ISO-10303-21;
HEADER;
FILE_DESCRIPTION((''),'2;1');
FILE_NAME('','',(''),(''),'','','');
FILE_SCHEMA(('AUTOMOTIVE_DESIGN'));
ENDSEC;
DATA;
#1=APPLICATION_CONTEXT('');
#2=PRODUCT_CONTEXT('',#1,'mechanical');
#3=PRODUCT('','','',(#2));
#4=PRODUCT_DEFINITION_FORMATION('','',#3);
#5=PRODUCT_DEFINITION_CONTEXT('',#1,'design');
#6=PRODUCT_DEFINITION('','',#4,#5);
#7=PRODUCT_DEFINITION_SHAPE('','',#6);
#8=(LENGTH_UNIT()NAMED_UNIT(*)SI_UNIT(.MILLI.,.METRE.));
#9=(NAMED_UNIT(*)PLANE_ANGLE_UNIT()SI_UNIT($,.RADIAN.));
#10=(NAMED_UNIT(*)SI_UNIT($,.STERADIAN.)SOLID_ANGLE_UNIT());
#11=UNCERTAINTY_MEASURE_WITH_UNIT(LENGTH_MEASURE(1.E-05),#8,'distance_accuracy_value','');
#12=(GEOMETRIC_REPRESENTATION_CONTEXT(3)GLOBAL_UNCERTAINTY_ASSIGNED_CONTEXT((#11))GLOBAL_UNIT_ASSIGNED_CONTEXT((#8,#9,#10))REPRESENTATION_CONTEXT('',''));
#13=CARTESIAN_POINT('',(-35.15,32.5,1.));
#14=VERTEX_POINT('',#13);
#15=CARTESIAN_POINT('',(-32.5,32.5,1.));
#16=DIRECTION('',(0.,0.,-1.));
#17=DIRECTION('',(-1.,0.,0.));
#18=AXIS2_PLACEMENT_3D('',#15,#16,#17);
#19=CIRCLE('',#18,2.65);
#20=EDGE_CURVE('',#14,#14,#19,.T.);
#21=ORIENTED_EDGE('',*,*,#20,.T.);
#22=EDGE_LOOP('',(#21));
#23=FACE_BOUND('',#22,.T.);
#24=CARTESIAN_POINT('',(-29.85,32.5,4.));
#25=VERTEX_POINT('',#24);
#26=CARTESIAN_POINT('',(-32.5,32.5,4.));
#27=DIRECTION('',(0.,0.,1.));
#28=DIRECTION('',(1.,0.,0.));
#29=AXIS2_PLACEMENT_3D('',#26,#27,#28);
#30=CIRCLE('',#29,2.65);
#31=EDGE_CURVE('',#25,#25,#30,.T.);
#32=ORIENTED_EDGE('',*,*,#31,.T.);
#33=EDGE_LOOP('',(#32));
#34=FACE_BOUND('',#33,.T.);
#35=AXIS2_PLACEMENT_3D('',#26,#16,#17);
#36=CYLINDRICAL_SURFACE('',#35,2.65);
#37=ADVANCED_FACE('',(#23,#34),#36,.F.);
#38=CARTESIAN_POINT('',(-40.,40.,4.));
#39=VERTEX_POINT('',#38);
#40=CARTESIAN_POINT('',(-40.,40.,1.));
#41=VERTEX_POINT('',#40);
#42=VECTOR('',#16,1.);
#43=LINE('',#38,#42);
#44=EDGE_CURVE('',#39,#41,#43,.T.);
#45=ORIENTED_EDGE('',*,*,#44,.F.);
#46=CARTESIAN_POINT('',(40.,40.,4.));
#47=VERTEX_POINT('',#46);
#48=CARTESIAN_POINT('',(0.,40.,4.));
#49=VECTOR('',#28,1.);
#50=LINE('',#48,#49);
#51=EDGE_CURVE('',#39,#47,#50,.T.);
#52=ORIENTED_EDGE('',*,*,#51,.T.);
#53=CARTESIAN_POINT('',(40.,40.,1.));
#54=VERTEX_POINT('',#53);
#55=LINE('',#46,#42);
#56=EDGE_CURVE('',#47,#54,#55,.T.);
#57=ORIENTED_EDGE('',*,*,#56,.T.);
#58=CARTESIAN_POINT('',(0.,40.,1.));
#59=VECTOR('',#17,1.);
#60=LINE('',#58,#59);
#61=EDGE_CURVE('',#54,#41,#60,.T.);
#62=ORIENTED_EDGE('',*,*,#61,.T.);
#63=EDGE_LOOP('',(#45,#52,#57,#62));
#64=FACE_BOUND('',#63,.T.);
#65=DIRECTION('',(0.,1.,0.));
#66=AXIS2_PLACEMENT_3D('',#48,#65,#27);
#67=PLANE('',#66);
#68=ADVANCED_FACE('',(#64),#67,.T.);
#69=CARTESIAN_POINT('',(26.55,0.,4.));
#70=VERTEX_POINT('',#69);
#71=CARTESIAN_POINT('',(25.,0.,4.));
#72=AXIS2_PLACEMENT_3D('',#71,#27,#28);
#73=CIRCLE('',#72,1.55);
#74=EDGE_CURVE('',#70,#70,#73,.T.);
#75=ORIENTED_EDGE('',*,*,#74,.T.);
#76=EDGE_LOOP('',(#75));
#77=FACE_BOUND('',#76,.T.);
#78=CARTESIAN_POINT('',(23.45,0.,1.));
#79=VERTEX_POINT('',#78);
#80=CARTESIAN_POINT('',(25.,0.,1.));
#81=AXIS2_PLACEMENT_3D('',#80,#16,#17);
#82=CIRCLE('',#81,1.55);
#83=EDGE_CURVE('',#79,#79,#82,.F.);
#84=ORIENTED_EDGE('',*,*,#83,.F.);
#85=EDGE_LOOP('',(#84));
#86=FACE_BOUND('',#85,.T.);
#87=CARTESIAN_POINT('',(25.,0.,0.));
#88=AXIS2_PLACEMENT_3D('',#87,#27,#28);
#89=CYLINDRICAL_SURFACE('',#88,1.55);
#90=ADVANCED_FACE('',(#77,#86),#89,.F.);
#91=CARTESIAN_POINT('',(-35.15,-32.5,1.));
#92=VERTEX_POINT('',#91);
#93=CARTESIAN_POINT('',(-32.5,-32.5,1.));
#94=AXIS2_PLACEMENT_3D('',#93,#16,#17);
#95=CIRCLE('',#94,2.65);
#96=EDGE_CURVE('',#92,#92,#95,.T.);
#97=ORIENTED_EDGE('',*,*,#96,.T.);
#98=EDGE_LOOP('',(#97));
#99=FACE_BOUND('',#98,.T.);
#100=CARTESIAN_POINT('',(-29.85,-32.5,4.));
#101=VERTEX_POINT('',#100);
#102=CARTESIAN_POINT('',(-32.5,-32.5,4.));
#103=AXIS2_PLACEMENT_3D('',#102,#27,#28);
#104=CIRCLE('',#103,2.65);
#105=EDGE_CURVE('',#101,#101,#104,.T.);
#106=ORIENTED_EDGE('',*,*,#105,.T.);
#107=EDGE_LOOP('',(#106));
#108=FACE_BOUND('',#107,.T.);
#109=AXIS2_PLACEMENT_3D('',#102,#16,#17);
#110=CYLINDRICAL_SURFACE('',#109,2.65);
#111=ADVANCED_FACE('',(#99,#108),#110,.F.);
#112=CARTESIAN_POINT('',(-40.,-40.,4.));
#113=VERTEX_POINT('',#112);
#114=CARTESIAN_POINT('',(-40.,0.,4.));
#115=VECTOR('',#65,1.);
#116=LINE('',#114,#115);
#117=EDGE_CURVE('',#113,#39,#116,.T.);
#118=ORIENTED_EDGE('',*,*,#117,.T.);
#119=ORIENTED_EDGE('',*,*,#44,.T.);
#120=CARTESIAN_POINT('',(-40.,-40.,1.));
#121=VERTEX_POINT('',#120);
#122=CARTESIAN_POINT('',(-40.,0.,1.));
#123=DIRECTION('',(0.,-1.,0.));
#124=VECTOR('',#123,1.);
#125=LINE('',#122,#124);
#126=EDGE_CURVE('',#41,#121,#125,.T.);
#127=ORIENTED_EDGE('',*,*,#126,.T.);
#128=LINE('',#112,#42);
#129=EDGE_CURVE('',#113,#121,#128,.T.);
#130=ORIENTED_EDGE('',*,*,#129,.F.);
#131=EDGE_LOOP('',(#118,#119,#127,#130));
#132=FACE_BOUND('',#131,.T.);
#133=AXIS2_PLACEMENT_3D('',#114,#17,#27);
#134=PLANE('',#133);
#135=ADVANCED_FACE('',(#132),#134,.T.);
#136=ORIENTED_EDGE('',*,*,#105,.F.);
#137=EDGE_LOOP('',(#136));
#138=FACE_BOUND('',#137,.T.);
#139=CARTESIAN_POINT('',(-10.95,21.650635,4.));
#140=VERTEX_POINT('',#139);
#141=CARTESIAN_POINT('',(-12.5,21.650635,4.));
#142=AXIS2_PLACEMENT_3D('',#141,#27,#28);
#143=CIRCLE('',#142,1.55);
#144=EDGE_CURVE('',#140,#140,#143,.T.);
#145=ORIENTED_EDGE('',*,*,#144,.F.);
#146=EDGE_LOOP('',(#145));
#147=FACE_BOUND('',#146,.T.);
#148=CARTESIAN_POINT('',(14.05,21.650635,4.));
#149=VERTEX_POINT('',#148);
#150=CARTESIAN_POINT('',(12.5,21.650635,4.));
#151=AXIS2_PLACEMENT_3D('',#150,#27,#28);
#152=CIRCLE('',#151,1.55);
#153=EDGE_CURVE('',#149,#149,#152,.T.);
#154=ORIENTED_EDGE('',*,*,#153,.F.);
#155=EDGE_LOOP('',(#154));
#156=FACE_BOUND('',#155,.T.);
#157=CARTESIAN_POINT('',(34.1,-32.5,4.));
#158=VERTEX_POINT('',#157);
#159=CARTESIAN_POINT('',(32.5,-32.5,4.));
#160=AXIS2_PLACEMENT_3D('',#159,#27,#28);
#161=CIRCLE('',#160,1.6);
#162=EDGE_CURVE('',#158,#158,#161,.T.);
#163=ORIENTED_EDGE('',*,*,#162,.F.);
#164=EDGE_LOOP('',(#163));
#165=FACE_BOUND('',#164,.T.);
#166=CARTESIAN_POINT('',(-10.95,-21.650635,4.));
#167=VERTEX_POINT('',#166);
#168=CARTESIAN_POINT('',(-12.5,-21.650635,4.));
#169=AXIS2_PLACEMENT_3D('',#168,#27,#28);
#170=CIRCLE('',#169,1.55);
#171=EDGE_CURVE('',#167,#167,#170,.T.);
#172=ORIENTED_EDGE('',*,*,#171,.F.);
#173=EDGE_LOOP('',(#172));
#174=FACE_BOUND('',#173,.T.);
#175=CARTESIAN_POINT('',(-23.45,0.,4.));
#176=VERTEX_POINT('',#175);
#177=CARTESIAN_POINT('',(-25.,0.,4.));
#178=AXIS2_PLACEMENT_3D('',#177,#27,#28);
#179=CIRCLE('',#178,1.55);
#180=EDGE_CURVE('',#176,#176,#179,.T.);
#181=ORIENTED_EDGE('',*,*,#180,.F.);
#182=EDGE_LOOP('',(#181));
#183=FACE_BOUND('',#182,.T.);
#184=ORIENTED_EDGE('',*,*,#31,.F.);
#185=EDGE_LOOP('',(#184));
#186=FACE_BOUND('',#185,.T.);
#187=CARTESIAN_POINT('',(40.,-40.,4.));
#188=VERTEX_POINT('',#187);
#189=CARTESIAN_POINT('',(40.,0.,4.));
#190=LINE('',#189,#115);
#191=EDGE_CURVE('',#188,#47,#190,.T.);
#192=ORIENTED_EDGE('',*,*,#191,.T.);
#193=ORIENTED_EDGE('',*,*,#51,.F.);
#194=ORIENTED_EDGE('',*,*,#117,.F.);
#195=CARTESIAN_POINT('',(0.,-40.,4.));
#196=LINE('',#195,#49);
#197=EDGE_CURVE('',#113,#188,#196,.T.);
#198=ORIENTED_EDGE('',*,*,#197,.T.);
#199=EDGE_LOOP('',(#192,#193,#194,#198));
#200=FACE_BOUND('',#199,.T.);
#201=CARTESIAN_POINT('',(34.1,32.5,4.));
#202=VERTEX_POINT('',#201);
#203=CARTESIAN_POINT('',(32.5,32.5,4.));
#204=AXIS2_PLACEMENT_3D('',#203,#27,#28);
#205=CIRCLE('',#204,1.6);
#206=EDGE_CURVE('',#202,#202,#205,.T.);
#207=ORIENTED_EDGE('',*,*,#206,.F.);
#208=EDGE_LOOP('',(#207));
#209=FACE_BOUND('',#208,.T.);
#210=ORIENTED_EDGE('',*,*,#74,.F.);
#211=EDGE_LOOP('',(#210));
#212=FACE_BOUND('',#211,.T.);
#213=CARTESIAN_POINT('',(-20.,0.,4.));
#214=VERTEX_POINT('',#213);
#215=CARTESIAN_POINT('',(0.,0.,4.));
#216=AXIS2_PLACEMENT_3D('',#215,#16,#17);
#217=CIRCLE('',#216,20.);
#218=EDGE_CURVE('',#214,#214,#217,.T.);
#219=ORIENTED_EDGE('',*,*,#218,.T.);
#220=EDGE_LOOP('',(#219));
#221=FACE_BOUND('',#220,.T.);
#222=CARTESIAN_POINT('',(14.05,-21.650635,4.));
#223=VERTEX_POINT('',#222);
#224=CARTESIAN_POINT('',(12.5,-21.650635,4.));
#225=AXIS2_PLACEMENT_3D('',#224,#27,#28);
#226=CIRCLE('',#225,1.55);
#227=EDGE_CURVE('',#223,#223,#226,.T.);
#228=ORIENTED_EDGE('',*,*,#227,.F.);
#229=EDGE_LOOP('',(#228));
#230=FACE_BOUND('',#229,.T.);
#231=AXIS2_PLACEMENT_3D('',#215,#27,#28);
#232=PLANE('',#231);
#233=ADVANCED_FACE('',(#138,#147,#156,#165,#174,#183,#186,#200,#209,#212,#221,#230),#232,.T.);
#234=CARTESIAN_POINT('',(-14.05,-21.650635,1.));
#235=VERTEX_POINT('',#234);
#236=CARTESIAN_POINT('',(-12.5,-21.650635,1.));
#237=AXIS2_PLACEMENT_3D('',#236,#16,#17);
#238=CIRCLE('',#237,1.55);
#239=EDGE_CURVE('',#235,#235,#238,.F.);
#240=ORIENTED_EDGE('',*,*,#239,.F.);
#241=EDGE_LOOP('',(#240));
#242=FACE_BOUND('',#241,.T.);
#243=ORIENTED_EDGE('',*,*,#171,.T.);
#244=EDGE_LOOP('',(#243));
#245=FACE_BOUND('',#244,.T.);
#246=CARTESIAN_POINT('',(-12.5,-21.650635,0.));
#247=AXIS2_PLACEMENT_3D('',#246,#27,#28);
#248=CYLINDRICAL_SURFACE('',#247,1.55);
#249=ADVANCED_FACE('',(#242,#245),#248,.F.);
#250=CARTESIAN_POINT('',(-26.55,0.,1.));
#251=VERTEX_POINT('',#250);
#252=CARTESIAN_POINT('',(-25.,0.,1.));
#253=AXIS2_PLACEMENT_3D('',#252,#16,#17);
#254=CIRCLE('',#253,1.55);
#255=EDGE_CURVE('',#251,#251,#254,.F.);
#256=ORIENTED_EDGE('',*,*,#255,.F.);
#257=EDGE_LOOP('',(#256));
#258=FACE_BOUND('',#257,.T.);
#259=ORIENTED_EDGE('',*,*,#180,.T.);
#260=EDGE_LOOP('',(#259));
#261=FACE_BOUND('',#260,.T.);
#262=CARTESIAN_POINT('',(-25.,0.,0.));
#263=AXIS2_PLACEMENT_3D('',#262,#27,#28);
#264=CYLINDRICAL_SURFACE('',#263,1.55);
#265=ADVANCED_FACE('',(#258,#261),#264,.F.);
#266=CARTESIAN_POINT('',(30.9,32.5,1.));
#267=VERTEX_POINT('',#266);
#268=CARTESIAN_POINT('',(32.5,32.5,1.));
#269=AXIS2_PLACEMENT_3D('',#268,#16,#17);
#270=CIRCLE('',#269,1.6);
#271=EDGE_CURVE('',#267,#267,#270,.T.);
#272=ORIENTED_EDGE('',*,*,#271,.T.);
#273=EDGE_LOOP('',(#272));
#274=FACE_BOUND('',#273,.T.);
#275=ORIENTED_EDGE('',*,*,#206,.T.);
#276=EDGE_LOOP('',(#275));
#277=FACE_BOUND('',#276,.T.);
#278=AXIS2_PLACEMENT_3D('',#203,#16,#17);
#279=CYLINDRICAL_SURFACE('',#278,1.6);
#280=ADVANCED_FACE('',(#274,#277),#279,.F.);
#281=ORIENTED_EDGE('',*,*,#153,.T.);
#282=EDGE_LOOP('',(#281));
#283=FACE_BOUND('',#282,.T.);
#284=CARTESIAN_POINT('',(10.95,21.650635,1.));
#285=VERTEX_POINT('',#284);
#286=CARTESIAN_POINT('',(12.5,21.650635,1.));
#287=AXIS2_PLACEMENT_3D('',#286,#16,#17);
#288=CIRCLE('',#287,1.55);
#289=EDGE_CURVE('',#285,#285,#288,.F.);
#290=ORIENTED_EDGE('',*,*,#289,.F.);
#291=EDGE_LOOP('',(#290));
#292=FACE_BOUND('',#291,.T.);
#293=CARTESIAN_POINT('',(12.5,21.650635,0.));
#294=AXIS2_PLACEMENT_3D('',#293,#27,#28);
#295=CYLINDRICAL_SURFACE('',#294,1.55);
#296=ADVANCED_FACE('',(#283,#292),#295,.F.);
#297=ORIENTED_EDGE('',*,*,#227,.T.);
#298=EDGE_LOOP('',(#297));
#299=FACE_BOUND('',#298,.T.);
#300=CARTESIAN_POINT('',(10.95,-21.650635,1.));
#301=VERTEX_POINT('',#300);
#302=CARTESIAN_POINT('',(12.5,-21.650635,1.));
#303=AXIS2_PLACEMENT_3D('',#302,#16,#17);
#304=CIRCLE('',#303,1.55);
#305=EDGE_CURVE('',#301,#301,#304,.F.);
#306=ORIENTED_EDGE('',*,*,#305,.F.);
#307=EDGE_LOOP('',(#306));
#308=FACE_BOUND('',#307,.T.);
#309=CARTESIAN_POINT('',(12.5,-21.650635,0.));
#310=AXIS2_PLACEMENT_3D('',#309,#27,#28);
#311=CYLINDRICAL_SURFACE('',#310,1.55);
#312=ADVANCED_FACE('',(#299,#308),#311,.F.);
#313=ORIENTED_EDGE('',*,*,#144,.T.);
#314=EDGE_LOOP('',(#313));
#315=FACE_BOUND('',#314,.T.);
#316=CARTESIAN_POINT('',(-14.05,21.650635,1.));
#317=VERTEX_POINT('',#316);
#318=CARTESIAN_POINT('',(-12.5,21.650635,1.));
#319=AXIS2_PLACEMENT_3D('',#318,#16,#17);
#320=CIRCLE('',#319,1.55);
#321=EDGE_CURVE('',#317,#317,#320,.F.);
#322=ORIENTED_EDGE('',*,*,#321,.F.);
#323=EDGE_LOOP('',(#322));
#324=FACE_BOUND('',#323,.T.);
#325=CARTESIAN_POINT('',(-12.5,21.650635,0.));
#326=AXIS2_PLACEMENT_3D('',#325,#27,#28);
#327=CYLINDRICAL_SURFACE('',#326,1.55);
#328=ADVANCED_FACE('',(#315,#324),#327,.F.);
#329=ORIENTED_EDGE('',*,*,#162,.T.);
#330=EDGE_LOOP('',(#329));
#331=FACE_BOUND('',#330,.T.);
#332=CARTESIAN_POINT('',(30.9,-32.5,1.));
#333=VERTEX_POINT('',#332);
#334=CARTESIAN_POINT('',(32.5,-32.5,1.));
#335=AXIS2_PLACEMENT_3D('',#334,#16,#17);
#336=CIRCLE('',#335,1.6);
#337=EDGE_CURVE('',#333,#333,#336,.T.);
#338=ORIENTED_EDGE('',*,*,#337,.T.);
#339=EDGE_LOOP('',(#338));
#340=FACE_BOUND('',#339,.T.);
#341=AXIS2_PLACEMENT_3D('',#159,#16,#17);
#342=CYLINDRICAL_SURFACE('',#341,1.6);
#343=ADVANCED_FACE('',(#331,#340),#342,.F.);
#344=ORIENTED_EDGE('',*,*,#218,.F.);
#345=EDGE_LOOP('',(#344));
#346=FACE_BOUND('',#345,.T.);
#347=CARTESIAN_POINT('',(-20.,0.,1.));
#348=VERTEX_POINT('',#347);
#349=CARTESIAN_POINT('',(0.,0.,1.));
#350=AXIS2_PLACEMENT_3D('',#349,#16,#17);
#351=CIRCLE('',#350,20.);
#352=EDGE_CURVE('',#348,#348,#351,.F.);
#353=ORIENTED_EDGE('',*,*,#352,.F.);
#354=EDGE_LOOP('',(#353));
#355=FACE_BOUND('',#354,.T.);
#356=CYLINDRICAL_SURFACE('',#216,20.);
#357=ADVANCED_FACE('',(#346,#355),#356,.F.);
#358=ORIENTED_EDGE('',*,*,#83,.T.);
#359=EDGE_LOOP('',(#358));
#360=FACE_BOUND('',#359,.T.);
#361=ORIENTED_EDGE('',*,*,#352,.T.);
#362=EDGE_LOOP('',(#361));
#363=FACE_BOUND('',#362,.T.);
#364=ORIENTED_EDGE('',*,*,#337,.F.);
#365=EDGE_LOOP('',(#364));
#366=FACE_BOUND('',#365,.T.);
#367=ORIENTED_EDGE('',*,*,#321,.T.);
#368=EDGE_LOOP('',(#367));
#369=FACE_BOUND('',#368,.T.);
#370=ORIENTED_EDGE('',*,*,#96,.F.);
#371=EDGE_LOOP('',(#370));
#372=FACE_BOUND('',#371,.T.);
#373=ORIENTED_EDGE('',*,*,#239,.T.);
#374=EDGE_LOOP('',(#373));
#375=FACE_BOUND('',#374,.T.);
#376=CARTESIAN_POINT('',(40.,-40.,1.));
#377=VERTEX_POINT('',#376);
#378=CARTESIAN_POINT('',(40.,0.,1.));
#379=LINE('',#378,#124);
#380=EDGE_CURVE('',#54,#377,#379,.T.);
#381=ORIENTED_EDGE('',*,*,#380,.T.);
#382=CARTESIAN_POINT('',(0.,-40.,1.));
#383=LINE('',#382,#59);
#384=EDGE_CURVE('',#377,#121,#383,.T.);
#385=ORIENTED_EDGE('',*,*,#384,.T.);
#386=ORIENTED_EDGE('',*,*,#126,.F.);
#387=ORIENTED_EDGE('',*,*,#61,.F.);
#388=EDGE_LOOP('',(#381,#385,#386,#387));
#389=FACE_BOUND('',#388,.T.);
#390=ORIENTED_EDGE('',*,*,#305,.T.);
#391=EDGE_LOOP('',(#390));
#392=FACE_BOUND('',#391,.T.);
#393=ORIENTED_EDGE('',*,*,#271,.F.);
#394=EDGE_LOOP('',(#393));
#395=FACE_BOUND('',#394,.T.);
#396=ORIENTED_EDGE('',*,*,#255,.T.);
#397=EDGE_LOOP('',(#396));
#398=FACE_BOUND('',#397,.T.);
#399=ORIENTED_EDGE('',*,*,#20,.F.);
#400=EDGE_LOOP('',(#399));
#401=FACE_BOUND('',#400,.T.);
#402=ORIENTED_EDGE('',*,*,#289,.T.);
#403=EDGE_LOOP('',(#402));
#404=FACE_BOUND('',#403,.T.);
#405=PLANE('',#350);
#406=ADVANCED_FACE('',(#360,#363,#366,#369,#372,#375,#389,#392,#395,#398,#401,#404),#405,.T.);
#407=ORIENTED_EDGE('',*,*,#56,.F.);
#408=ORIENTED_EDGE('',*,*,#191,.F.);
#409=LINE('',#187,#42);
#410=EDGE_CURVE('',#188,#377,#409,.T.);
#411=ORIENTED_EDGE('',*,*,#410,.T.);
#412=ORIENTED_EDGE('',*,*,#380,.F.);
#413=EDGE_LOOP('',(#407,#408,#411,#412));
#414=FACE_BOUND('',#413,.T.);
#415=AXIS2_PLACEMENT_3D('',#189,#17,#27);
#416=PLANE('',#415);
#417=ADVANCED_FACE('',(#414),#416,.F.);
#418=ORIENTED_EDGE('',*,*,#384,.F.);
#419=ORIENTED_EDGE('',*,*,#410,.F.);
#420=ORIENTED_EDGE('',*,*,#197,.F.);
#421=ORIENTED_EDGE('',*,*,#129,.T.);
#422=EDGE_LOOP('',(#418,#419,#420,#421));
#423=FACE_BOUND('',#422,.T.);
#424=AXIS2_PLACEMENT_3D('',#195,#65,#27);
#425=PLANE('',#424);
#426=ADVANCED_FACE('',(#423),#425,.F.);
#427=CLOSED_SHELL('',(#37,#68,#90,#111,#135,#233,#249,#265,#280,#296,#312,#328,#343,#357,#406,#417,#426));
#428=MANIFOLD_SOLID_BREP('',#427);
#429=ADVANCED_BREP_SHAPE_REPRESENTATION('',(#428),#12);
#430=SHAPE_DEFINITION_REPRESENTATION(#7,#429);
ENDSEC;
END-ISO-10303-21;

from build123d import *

# Parameters (mm, degrees)
SKETCH_1_W          = 80
SKETCH_1_H          = 80
SKETCH_1_R          = 2.65
SKETCH_1_R_2        = 1.6
SKETCH_1_R_3        = 18
EXTRUDE_1_DEPTH     = 4
SKETCH_2_R          = 1.55
CUT_EXTRUDE_1_DEPTH = 57.709787515
SKETCH_4_R          = 20
CUT_EXTRUDE_2_DEPTH = 57.709787515
SKETCH_5_W          = 141.692074253
SKETCH_5_H          = 118.011672495
CUT_EXTRUDE_3_DEPTH = 1


with BuildPart() as part:
    # 草图1 → 凸台-拉伸1 (new body)
    with BuildSketch(Plane.XY):
        Rectangle(SKETCH_1_W, SKETCH_1_H)
        with Locations((-32.5, 32.5)):
            Circle(SKETCH_1_R, mode=Mode.SUBTRACT)
        with Locations((-32.5, -32.5)):
            Circle(SKETCH_1_R, mode=Mode.SUBTRACT)
        with Locations((32.5, 32.5)):
            Circle(SKETCH_1_R_2, mode=Mode.SUBTRACT)
        with Locations((32.5, -32.5)):
            Circle(SKETCH_1_R_2, mode=Mode.SUBTRACT)
        Circle(SKETCH_1_R_3, mode=Mode.SUBTRACT)
    extrude(amount=EXTRUDE_1_DEPTH)

    # 草图2 → 切除-拉伸1 (cut, through all)
    with BuildSketch(Plane.XY.offset(4)):
        with Locations((-12.5, 21.650635095)):
            Circle(SKETCH_2_R)
        with Locations((12.5, 21.650635095)):
            Circle(SKETCH_2_R)
        with Locations((25, 0)):
            Circle(SKETCH_2_R)
        with Locations((12.5, -21.650635095)):
            Circle(SKETCH_2_R)
        with Locations((-12.5, -21.650635095)):
            Circle(SKETCH_2_R)
        with Locations((-25, 0)):
            Circle(SKETCH_2_R)
    extrude(amount=-CUT_EXTRUDE_1_DEPTH, mode=Mode.SUBTRACT)

    # 草图4 → 切除-拉伸2 (cut, through all)
    with BuildSketch(Plane(origin=(0, 0, 0), x_dir=(-1, 0, 0), z_dir=(0, 0, -1))):
        Circle(SKETCH_4_R)
    extrude(amount=-CUT_EXTRUDE_2_DEPTH, mode=Mode.SUBTRACT)

    # 草图5 → 切除-拉伸3 (cut)
    with BuildSketch(Plane(origin=(0, 0, 0), x_dir=(-1, 0, 0), z_dir=(0, 0, -1))):
        with Locations((12.88109766, -5.92010044)):
            Rectangle(SKETCH_5_W, SKETCH_5_H)
    extrude(amount=-CUT_EXTRUDE_3_DEPTH, mode=Mode.SUBTRACT)


solid = part.part
